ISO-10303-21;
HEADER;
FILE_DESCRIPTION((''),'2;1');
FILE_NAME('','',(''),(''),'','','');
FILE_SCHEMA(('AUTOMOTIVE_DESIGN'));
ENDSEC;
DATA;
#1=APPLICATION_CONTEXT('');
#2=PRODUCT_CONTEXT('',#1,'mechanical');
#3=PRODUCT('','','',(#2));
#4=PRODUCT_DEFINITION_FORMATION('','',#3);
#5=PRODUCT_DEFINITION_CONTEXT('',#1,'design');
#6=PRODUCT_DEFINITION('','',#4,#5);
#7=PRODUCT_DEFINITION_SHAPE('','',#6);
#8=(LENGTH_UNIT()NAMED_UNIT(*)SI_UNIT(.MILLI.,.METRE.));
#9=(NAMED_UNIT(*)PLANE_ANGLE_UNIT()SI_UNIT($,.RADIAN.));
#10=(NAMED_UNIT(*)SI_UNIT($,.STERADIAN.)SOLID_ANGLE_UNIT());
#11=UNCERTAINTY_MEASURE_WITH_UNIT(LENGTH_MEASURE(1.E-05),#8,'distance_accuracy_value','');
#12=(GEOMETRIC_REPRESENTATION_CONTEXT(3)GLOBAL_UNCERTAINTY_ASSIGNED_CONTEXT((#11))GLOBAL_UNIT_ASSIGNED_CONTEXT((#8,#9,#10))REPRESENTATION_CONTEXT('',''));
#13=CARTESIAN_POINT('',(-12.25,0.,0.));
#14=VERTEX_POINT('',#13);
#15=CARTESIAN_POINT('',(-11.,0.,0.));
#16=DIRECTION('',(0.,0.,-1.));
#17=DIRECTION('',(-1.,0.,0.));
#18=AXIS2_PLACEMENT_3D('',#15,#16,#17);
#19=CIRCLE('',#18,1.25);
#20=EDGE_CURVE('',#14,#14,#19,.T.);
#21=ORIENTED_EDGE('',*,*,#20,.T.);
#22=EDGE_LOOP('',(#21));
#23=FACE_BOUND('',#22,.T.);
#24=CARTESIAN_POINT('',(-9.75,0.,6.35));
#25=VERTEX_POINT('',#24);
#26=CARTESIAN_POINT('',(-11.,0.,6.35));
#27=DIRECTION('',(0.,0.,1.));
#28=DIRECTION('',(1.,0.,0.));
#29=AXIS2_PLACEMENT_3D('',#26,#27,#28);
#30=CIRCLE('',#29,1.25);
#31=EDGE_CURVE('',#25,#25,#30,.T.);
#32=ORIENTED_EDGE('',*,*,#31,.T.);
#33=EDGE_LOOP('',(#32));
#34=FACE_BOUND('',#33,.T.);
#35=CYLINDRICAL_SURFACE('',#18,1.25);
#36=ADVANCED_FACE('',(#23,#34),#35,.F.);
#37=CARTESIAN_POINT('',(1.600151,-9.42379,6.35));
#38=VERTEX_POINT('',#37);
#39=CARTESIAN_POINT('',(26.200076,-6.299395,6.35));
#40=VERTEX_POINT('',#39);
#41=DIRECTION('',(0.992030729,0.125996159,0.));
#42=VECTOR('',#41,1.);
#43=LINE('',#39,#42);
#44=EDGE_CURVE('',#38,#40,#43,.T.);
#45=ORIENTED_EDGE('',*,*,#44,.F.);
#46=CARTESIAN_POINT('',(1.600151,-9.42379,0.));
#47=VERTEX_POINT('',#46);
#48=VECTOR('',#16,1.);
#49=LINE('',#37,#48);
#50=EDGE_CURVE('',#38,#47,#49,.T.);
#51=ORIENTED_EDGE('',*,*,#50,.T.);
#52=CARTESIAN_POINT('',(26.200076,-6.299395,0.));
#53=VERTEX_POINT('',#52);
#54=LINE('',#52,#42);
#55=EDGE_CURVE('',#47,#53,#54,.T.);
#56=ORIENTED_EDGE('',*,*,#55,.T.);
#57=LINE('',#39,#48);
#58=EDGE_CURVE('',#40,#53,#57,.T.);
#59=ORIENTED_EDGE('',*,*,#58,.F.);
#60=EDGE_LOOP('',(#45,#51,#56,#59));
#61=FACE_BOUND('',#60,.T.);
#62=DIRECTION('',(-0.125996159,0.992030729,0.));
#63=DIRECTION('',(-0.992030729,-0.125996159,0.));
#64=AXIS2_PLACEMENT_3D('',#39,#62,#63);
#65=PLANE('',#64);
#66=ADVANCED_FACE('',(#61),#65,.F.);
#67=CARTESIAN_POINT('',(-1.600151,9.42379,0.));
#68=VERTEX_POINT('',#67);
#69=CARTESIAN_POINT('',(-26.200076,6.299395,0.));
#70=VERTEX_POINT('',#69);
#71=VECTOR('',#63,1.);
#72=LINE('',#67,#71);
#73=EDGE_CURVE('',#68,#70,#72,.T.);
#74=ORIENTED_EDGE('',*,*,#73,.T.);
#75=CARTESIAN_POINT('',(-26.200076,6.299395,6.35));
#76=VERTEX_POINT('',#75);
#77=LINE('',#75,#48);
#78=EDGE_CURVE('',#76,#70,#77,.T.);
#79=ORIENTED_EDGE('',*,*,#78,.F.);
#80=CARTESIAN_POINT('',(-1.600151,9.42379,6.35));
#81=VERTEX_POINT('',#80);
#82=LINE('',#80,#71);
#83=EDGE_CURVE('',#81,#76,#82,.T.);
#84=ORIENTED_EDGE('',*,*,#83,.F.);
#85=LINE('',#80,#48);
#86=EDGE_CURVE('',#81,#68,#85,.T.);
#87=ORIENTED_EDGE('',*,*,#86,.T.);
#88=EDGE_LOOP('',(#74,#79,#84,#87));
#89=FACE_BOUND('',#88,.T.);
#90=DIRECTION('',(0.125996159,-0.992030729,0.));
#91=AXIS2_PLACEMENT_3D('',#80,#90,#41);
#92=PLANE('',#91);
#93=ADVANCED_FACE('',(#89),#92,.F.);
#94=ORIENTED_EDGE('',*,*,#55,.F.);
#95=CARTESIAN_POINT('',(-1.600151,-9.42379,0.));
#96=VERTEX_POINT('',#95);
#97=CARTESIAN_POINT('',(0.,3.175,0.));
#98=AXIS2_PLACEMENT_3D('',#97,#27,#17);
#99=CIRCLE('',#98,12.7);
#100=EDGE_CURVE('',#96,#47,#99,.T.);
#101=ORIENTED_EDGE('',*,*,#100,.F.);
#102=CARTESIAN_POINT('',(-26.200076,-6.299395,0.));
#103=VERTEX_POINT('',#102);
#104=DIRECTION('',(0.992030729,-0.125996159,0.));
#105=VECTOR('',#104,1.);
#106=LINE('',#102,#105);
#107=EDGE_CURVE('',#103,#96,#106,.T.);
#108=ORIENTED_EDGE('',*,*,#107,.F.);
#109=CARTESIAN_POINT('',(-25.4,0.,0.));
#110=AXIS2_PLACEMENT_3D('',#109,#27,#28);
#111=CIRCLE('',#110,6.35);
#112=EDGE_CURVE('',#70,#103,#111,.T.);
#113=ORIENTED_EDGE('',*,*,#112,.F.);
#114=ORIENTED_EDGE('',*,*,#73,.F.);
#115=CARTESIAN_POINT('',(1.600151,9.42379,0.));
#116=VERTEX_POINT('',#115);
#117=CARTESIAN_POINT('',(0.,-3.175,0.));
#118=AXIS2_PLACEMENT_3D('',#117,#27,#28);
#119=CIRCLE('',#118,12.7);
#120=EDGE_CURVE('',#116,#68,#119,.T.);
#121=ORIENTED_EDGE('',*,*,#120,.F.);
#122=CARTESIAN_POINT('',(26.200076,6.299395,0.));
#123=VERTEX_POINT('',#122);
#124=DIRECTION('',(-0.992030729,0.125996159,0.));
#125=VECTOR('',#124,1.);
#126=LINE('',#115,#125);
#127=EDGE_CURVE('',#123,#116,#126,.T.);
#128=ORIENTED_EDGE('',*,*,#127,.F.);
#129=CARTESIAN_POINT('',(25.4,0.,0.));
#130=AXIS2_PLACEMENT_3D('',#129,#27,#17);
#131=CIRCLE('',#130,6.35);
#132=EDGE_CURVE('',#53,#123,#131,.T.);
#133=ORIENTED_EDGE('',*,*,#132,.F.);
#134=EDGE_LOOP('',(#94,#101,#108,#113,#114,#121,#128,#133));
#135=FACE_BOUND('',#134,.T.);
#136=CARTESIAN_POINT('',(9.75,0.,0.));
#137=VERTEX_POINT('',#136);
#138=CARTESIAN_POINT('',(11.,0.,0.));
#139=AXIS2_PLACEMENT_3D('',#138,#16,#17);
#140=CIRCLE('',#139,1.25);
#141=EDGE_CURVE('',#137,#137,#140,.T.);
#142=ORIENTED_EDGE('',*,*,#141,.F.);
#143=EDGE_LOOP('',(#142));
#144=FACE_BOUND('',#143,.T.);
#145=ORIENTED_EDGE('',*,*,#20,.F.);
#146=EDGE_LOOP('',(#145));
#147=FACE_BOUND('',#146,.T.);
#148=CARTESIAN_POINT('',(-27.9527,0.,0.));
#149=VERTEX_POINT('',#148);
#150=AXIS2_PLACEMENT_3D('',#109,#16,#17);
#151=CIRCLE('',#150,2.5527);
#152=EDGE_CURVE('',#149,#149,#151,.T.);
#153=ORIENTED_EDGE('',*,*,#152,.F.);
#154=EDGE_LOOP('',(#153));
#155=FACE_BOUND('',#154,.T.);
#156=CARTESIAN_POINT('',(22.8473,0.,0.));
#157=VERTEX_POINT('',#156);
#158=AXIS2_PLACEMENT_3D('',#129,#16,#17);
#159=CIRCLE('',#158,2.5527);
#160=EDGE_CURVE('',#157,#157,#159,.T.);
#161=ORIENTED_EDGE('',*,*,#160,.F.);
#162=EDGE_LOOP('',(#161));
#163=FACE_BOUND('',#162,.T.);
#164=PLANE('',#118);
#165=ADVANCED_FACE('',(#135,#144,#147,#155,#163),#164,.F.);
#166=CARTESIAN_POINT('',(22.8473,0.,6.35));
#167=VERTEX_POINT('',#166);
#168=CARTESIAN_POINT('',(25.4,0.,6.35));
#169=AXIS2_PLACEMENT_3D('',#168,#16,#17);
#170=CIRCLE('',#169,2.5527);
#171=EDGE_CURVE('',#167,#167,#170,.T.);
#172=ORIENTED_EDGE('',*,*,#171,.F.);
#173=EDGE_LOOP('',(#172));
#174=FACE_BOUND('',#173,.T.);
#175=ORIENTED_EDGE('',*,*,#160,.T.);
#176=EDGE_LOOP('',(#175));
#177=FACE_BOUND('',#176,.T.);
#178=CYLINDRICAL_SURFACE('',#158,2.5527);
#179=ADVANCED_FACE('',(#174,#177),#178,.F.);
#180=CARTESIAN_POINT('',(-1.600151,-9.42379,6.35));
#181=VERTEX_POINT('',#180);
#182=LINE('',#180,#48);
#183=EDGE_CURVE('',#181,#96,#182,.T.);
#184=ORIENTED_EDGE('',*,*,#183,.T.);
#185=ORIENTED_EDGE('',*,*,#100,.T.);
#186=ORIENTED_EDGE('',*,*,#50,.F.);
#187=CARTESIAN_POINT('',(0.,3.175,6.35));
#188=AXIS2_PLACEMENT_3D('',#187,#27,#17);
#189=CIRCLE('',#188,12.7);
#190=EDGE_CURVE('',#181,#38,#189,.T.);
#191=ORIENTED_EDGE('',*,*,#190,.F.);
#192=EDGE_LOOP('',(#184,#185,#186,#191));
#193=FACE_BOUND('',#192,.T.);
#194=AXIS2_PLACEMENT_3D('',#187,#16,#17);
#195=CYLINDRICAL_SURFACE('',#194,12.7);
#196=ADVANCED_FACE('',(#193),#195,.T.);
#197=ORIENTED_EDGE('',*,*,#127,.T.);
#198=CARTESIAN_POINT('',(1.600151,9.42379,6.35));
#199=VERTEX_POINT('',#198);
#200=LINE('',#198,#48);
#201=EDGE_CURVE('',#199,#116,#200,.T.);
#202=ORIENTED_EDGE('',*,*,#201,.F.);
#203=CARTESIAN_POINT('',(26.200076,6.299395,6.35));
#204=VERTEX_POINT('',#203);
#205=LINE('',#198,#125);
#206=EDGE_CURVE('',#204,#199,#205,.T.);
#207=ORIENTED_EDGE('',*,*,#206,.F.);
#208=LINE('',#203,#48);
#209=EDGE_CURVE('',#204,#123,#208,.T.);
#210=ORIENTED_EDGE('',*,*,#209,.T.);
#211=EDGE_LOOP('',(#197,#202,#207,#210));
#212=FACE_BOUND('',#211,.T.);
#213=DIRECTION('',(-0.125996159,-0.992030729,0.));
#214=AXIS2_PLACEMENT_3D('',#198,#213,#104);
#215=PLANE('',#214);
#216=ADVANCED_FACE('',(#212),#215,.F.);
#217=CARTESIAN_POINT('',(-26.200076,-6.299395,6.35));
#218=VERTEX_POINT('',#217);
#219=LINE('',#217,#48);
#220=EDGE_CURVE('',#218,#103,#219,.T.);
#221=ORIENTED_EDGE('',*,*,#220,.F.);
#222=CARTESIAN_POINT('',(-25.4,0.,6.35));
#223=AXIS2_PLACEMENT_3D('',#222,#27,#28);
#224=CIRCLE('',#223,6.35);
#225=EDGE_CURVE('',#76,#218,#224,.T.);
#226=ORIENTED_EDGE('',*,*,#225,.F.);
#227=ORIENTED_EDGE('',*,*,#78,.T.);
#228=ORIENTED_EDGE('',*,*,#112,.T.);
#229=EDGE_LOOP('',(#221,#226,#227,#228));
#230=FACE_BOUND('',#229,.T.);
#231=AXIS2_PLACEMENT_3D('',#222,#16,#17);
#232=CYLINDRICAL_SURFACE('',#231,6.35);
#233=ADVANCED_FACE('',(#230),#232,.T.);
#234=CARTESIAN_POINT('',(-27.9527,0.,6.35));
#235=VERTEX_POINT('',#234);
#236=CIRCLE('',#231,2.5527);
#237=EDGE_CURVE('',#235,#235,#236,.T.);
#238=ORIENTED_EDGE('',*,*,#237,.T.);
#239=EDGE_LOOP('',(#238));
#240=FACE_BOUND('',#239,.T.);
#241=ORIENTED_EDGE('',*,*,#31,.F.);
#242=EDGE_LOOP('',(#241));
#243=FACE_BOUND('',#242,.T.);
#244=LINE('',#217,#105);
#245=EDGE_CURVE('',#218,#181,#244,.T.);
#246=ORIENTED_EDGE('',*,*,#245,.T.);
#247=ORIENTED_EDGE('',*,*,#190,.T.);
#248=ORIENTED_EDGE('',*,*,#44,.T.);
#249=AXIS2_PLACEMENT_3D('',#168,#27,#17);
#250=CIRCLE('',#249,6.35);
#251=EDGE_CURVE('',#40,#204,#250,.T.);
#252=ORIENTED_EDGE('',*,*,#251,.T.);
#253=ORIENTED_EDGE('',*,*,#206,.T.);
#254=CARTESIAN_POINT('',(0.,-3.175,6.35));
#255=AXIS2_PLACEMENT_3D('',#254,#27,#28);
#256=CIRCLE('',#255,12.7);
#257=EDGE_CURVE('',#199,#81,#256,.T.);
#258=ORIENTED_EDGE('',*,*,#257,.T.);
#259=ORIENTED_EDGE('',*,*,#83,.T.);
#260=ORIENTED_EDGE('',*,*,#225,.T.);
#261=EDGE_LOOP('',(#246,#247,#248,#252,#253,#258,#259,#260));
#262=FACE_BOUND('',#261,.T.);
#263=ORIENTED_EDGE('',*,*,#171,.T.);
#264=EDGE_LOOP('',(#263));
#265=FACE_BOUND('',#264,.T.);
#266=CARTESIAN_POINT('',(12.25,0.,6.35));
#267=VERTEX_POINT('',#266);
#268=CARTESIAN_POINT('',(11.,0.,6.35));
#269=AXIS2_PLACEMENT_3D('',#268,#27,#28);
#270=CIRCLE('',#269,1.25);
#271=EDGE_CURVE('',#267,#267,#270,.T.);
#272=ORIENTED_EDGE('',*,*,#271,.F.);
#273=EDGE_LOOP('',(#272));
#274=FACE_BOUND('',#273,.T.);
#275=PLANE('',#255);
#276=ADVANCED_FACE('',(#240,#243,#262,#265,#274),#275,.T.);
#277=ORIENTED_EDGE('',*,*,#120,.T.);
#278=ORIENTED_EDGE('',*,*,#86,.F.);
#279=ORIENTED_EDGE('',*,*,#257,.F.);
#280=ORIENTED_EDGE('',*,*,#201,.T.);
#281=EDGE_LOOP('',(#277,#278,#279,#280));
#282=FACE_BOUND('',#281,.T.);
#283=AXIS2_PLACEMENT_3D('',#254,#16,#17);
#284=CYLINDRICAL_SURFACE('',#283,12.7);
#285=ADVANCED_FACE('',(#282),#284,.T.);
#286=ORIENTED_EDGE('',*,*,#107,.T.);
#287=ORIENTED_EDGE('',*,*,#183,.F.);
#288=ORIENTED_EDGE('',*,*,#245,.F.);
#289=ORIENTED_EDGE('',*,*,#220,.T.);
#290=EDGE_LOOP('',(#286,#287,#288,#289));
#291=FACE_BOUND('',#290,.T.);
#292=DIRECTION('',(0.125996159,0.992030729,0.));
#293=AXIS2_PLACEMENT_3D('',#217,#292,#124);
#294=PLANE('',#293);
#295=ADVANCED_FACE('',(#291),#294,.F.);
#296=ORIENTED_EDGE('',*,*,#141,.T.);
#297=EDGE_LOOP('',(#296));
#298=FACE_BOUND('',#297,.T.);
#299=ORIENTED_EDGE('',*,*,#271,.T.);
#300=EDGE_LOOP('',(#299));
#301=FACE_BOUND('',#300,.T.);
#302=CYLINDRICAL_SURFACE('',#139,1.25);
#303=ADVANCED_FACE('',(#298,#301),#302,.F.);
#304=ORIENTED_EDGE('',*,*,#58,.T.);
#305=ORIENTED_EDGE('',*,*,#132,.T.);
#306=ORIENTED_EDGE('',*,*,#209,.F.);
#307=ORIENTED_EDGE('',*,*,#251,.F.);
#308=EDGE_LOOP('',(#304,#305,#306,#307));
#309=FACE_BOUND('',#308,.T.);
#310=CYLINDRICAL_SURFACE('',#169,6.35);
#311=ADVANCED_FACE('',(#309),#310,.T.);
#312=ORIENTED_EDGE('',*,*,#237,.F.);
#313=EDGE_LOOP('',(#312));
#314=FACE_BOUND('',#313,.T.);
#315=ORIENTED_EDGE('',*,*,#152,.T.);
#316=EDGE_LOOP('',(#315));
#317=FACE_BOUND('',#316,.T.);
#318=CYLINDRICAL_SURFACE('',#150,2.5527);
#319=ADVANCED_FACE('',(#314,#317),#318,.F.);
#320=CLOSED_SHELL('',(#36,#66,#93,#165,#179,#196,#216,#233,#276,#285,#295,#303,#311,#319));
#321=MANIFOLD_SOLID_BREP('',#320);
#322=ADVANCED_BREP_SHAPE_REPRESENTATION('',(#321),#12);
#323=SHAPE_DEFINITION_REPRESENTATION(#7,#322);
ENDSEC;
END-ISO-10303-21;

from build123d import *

# Parameters (mm, degrees)
BOSS_EXTRUDE1_DEPTH       = 6.35
M3X0_5_TAPPED_HOLE1_D     = 2.5
M3X0_5_TAPPED_HOLE1_DEPTH = 6.35
F_10_CLEARANCE_HOLE1_D    = 5.1054


with BuildPart() as part:
    # Sketch1 → Boss-Extrude1 (new body)
    with BuildSketch(Plane.XY):
        with BuildLine():
            Line((1.600151217, 9.423790263), (26.200075609, 6.299395131))
            ThreePointArc((26.200075609, 6.299395131), (31.75, 0), (26.200075609, -6.299395131))
            Line((26.200075609, -6.299395131), (1.600151217, -9.423790263))
            ThreePointArc((1.600151217, -9.423790263), (0, -9.525), (-1.600151217, -9.423790263))
            Line((-1.600151217, -9.423790263), (-26.200075609, -6.299395131))
            ThreePointArc((-26.200075609, -6.299395131), (-31.75, 0), (-26.200075609, 6.299395131))
            Line((-26.200075609, 6.299395131), (-1.600151217, 9.423790263))
            ThreePointArc((-1.600151217, 9.423790263), (0, 9.525), (1.600151217, 9.423790263))
        make_face()
    extrude(amount=BOSS_EXTRUDE1_DEPTH)

    # M3x0.5 Tapped Hole1
    with Locations(Plane(origin=(0, 0, 0), x_dir=(-1, 0, 0), z_dir=(0, 0, -1))):
        with Locations((-11, 0), (11, 0)):
            Hole(M3X0_5_TAPPED_HOLE1_D / 2, depth=M3X0_5_TAPPED_HOLE1_DEPTH)

    # #10 Clearance Hole1 (through all)
    with Locations(Plane(origin=(0, 0, 0), x_dir=(-1, 0, 0), z_dir=(0, 0, -1))):
        with Locations((25.4, 0), (-25.4, 0)):
            Hole(F_10_CLEARANCE_HOLE1_D / 2)


solid = part.part
